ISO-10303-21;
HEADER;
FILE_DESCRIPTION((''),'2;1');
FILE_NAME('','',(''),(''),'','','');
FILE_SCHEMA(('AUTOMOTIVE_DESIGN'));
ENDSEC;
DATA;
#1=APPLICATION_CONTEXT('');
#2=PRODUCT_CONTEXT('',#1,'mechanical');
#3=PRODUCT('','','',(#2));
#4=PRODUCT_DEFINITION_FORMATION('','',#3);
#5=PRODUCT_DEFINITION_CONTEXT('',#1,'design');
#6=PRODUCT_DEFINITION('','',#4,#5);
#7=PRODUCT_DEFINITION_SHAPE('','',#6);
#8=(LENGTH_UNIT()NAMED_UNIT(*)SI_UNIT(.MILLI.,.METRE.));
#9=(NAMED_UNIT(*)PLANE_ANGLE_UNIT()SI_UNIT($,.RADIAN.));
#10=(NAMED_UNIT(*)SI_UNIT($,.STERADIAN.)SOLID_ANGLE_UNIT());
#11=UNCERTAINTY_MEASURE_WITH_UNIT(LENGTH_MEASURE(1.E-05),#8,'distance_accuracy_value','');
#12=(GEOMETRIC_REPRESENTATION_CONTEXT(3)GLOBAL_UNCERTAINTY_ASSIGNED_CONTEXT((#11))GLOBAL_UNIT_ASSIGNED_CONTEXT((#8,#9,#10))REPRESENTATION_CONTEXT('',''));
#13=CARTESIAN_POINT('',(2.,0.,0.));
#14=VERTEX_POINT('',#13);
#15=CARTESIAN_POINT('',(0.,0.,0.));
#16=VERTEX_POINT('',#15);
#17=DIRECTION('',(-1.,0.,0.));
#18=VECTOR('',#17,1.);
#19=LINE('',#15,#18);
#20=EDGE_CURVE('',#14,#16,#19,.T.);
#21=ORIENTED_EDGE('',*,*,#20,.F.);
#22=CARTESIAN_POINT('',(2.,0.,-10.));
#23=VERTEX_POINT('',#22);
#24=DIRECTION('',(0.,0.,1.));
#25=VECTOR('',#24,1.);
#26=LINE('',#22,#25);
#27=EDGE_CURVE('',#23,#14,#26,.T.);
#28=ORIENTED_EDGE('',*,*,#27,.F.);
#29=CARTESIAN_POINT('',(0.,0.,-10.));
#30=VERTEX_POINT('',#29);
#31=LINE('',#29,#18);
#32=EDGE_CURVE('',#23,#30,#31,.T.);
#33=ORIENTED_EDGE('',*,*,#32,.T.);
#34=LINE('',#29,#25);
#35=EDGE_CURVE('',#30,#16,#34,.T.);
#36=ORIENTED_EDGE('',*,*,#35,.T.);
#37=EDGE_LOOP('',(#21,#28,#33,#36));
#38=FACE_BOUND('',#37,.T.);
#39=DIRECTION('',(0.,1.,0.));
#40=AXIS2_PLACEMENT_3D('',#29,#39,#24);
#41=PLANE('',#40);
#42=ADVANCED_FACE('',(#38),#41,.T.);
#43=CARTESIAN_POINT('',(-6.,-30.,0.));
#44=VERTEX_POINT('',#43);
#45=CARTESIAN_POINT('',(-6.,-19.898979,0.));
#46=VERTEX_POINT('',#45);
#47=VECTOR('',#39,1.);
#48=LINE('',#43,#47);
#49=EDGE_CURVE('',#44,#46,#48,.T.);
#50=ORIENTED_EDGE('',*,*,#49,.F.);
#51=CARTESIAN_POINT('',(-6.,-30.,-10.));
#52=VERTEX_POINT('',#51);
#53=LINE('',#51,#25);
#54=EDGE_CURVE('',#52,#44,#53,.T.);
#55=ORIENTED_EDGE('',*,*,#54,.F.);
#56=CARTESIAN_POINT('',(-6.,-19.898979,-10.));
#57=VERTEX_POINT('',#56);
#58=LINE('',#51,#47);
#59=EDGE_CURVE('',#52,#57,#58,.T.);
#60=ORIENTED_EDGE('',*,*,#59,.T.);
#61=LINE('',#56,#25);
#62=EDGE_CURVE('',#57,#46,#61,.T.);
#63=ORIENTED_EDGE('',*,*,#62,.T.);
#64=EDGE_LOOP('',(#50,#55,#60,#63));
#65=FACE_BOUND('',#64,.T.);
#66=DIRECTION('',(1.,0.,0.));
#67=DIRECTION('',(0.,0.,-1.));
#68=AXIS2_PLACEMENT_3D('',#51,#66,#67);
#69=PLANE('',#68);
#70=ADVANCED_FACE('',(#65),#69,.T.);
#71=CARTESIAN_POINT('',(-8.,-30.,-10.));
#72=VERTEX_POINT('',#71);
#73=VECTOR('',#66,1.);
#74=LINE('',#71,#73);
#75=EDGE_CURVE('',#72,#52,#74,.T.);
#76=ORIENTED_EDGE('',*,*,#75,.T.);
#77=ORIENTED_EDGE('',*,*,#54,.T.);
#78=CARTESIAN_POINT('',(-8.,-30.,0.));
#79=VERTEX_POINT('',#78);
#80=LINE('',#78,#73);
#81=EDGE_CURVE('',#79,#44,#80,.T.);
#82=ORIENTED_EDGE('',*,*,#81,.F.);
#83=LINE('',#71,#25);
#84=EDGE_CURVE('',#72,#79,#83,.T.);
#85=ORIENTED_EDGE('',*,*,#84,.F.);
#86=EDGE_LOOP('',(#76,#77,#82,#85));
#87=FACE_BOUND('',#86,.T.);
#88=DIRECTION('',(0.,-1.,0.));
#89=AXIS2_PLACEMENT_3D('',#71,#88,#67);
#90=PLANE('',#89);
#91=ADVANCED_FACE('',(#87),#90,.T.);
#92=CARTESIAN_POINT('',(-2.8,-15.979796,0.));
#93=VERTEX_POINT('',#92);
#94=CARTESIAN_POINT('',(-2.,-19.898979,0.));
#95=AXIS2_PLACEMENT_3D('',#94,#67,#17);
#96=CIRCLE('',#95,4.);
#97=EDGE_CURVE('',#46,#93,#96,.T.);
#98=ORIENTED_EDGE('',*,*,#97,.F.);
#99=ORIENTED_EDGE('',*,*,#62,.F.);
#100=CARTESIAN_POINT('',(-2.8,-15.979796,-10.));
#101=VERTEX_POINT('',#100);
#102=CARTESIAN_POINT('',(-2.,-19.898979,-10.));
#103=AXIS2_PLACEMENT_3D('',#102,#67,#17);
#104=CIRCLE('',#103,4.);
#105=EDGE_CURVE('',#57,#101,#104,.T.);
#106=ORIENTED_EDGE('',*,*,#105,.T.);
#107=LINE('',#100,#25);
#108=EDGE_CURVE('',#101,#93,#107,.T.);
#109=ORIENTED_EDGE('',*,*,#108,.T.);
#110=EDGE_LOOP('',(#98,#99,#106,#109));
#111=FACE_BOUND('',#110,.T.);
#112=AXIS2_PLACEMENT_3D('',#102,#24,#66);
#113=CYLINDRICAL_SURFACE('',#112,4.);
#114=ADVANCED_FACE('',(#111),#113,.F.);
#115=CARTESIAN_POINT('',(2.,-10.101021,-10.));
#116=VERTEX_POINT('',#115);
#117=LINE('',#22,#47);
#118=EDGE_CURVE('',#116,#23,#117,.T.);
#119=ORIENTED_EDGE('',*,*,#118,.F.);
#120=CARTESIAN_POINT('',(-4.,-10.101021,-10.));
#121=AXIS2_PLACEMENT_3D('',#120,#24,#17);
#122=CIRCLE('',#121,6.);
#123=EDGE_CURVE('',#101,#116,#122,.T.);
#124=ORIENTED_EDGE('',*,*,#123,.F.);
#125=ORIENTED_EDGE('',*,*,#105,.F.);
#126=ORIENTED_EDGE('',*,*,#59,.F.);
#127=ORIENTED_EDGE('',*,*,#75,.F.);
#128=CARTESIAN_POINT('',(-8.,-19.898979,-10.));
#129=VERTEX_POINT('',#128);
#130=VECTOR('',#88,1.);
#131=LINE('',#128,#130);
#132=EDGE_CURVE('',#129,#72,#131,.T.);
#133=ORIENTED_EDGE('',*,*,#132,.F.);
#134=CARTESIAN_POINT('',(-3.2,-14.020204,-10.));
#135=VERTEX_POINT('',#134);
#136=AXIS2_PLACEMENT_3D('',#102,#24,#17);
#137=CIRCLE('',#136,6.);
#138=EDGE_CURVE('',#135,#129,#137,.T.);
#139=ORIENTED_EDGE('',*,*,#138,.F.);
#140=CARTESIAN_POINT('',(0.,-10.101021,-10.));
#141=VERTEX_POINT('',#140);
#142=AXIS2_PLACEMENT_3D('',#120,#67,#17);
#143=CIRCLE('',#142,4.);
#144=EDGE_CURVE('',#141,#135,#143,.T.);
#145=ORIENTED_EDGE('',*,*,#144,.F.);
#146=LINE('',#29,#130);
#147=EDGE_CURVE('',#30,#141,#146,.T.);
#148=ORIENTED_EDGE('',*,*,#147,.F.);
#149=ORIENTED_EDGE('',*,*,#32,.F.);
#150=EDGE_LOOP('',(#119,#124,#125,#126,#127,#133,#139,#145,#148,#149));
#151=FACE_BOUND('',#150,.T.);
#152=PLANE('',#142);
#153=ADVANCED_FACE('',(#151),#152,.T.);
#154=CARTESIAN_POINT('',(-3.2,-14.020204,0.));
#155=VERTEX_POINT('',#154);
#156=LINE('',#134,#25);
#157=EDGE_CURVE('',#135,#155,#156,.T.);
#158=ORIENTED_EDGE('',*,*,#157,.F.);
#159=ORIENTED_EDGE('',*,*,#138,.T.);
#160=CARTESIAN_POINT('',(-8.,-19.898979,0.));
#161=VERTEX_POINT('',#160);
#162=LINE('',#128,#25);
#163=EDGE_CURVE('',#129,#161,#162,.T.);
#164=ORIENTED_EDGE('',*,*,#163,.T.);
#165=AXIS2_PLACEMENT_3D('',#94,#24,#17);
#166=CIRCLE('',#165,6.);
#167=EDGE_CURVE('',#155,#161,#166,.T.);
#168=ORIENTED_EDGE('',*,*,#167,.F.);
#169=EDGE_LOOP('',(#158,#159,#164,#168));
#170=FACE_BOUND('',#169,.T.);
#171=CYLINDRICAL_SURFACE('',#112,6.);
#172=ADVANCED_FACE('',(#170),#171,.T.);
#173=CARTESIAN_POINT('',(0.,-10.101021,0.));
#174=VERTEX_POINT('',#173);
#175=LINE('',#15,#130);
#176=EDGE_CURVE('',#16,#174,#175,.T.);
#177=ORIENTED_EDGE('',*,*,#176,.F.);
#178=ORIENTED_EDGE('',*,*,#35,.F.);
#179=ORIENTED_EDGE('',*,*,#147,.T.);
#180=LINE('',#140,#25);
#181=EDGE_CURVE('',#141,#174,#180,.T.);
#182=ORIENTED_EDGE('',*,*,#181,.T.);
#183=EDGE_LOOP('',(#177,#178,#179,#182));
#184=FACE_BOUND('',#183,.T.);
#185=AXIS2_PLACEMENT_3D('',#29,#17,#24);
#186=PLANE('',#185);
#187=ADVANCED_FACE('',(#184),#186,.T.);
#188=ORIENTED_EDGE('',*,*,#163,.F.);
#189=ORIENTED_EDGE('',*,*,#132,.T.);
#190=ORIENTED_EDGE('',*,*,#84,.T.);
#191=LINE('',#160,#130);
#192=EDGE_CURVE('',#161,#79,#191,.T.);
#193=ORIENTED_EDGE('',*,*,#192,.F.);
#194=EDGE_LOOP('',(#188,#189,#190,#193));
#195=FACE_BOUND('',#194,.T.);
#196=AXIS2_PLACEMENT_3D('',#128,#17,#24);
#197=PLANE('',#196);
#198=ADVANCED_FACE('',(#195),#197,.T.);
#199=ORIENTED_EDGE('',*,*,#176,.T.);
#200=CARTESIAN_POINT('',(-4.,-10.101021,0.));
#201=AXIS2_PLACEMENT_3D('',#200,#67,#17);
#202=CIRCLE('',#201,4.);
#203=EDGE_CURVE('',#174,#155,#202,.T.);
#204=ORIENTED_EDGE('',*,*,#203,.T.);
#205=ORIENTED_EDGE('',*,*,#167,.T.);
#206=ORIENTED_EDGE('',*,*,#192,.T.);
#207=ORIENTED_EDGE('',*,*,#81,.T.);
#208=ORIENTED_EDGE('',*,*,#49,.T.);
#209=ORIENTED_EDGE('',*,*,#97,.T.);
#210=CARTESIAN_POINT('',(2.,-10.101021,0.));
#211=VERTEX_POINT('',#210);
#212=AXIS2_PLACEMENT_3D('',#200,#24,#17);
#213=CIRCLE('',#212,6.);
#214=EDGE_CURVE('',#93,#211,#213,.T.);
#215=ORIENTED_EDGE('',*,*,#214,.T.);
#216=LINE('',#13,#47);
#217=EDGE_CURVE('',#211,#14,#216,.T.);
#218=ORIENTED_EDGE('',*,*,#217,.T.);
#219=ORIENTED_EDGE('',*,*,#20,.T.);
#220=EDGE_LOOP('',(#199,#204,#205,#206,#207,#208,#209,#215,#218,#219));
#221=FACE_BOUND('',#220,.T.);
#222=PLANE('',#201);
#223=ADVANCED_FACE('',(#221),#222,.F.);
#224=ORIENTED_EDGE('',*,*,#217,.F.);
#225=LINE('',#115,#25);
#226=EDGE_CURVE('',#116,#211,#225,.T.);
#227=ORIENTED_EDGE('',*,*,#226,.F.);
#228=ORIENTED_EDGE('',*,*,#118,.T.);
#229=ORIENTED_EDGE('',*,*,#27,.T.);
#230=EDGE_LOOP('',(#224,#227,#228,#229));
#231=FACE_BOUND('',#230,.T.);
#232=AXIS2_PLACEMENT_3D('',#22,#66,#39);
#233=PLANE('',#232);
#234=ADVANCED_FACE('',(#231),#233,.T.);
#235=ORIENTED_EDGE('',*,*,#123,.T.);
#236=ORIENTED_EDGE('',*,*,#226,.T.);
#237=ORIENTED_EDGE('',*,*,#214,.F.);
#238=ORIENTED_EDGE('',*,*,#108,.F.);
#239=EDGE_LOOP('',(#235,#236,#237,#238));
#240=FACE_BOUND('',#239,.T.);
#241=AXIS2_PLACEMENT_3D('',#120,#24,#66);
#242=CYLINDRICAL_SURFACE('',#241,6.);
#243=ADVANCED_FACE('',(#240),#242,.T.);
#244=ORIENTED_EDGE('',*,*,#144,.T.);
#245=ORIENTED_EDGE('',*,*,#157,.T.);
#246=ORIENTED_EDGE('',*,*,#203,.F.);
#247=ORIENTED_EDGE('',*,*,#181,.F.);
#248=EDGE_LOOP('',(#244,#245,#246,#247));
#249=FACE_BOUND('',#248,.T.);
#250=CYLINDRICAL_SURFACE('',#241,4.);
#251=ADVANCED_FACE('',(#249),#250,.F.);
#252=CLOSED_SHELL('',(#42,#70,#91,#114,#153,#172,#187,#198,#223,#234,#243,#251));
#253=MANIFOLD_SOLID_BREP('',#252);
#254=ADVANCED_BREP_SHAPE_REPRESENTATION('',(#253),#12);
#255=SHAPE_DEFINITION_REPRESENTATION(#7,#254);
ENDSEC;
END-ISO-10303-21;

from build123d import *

# Parameters (mm, degrees)
BOSS_EXTRUDE2_DEPTH = 10


with BuildPart() as part:
    # Sketch1 → Boss-Extrude2 (new body)
    with BuildSketch(Plane.XY):
        with BuildLine():
            Line((0, 0), (2, 0))
            Line((2, 0), (2, -10.101020514))
            ThreePointArc((2, -10.101020514), (0.647580015, -13.895753707), (-2.8, -15.979795897))
            ThreePointArc((-2.8, -15.979795897), (-5.098386677, -17.369157357), (-6, -19.898979486))
            Line((-6, -19.898979486), (-6, -30))
            Line((-6, -30), (-8, -30))
            Line((-8, -30), (-8, -19.898979486))
            ThreePointArc((-8, -19.898979486), (-6.647580015, -16.104246293), (-3.2, -14.020204103))
            ThreePointArc((-3.2, -14.020204103), (-0.901613323, -12.630842643), (0, -10.101020514))
            Line((0, -10.101020514), (0, 0))
        make_face()
    extrude(amount=-BOSS_EXTRUDE2_DEPTH)


solid = part.part
